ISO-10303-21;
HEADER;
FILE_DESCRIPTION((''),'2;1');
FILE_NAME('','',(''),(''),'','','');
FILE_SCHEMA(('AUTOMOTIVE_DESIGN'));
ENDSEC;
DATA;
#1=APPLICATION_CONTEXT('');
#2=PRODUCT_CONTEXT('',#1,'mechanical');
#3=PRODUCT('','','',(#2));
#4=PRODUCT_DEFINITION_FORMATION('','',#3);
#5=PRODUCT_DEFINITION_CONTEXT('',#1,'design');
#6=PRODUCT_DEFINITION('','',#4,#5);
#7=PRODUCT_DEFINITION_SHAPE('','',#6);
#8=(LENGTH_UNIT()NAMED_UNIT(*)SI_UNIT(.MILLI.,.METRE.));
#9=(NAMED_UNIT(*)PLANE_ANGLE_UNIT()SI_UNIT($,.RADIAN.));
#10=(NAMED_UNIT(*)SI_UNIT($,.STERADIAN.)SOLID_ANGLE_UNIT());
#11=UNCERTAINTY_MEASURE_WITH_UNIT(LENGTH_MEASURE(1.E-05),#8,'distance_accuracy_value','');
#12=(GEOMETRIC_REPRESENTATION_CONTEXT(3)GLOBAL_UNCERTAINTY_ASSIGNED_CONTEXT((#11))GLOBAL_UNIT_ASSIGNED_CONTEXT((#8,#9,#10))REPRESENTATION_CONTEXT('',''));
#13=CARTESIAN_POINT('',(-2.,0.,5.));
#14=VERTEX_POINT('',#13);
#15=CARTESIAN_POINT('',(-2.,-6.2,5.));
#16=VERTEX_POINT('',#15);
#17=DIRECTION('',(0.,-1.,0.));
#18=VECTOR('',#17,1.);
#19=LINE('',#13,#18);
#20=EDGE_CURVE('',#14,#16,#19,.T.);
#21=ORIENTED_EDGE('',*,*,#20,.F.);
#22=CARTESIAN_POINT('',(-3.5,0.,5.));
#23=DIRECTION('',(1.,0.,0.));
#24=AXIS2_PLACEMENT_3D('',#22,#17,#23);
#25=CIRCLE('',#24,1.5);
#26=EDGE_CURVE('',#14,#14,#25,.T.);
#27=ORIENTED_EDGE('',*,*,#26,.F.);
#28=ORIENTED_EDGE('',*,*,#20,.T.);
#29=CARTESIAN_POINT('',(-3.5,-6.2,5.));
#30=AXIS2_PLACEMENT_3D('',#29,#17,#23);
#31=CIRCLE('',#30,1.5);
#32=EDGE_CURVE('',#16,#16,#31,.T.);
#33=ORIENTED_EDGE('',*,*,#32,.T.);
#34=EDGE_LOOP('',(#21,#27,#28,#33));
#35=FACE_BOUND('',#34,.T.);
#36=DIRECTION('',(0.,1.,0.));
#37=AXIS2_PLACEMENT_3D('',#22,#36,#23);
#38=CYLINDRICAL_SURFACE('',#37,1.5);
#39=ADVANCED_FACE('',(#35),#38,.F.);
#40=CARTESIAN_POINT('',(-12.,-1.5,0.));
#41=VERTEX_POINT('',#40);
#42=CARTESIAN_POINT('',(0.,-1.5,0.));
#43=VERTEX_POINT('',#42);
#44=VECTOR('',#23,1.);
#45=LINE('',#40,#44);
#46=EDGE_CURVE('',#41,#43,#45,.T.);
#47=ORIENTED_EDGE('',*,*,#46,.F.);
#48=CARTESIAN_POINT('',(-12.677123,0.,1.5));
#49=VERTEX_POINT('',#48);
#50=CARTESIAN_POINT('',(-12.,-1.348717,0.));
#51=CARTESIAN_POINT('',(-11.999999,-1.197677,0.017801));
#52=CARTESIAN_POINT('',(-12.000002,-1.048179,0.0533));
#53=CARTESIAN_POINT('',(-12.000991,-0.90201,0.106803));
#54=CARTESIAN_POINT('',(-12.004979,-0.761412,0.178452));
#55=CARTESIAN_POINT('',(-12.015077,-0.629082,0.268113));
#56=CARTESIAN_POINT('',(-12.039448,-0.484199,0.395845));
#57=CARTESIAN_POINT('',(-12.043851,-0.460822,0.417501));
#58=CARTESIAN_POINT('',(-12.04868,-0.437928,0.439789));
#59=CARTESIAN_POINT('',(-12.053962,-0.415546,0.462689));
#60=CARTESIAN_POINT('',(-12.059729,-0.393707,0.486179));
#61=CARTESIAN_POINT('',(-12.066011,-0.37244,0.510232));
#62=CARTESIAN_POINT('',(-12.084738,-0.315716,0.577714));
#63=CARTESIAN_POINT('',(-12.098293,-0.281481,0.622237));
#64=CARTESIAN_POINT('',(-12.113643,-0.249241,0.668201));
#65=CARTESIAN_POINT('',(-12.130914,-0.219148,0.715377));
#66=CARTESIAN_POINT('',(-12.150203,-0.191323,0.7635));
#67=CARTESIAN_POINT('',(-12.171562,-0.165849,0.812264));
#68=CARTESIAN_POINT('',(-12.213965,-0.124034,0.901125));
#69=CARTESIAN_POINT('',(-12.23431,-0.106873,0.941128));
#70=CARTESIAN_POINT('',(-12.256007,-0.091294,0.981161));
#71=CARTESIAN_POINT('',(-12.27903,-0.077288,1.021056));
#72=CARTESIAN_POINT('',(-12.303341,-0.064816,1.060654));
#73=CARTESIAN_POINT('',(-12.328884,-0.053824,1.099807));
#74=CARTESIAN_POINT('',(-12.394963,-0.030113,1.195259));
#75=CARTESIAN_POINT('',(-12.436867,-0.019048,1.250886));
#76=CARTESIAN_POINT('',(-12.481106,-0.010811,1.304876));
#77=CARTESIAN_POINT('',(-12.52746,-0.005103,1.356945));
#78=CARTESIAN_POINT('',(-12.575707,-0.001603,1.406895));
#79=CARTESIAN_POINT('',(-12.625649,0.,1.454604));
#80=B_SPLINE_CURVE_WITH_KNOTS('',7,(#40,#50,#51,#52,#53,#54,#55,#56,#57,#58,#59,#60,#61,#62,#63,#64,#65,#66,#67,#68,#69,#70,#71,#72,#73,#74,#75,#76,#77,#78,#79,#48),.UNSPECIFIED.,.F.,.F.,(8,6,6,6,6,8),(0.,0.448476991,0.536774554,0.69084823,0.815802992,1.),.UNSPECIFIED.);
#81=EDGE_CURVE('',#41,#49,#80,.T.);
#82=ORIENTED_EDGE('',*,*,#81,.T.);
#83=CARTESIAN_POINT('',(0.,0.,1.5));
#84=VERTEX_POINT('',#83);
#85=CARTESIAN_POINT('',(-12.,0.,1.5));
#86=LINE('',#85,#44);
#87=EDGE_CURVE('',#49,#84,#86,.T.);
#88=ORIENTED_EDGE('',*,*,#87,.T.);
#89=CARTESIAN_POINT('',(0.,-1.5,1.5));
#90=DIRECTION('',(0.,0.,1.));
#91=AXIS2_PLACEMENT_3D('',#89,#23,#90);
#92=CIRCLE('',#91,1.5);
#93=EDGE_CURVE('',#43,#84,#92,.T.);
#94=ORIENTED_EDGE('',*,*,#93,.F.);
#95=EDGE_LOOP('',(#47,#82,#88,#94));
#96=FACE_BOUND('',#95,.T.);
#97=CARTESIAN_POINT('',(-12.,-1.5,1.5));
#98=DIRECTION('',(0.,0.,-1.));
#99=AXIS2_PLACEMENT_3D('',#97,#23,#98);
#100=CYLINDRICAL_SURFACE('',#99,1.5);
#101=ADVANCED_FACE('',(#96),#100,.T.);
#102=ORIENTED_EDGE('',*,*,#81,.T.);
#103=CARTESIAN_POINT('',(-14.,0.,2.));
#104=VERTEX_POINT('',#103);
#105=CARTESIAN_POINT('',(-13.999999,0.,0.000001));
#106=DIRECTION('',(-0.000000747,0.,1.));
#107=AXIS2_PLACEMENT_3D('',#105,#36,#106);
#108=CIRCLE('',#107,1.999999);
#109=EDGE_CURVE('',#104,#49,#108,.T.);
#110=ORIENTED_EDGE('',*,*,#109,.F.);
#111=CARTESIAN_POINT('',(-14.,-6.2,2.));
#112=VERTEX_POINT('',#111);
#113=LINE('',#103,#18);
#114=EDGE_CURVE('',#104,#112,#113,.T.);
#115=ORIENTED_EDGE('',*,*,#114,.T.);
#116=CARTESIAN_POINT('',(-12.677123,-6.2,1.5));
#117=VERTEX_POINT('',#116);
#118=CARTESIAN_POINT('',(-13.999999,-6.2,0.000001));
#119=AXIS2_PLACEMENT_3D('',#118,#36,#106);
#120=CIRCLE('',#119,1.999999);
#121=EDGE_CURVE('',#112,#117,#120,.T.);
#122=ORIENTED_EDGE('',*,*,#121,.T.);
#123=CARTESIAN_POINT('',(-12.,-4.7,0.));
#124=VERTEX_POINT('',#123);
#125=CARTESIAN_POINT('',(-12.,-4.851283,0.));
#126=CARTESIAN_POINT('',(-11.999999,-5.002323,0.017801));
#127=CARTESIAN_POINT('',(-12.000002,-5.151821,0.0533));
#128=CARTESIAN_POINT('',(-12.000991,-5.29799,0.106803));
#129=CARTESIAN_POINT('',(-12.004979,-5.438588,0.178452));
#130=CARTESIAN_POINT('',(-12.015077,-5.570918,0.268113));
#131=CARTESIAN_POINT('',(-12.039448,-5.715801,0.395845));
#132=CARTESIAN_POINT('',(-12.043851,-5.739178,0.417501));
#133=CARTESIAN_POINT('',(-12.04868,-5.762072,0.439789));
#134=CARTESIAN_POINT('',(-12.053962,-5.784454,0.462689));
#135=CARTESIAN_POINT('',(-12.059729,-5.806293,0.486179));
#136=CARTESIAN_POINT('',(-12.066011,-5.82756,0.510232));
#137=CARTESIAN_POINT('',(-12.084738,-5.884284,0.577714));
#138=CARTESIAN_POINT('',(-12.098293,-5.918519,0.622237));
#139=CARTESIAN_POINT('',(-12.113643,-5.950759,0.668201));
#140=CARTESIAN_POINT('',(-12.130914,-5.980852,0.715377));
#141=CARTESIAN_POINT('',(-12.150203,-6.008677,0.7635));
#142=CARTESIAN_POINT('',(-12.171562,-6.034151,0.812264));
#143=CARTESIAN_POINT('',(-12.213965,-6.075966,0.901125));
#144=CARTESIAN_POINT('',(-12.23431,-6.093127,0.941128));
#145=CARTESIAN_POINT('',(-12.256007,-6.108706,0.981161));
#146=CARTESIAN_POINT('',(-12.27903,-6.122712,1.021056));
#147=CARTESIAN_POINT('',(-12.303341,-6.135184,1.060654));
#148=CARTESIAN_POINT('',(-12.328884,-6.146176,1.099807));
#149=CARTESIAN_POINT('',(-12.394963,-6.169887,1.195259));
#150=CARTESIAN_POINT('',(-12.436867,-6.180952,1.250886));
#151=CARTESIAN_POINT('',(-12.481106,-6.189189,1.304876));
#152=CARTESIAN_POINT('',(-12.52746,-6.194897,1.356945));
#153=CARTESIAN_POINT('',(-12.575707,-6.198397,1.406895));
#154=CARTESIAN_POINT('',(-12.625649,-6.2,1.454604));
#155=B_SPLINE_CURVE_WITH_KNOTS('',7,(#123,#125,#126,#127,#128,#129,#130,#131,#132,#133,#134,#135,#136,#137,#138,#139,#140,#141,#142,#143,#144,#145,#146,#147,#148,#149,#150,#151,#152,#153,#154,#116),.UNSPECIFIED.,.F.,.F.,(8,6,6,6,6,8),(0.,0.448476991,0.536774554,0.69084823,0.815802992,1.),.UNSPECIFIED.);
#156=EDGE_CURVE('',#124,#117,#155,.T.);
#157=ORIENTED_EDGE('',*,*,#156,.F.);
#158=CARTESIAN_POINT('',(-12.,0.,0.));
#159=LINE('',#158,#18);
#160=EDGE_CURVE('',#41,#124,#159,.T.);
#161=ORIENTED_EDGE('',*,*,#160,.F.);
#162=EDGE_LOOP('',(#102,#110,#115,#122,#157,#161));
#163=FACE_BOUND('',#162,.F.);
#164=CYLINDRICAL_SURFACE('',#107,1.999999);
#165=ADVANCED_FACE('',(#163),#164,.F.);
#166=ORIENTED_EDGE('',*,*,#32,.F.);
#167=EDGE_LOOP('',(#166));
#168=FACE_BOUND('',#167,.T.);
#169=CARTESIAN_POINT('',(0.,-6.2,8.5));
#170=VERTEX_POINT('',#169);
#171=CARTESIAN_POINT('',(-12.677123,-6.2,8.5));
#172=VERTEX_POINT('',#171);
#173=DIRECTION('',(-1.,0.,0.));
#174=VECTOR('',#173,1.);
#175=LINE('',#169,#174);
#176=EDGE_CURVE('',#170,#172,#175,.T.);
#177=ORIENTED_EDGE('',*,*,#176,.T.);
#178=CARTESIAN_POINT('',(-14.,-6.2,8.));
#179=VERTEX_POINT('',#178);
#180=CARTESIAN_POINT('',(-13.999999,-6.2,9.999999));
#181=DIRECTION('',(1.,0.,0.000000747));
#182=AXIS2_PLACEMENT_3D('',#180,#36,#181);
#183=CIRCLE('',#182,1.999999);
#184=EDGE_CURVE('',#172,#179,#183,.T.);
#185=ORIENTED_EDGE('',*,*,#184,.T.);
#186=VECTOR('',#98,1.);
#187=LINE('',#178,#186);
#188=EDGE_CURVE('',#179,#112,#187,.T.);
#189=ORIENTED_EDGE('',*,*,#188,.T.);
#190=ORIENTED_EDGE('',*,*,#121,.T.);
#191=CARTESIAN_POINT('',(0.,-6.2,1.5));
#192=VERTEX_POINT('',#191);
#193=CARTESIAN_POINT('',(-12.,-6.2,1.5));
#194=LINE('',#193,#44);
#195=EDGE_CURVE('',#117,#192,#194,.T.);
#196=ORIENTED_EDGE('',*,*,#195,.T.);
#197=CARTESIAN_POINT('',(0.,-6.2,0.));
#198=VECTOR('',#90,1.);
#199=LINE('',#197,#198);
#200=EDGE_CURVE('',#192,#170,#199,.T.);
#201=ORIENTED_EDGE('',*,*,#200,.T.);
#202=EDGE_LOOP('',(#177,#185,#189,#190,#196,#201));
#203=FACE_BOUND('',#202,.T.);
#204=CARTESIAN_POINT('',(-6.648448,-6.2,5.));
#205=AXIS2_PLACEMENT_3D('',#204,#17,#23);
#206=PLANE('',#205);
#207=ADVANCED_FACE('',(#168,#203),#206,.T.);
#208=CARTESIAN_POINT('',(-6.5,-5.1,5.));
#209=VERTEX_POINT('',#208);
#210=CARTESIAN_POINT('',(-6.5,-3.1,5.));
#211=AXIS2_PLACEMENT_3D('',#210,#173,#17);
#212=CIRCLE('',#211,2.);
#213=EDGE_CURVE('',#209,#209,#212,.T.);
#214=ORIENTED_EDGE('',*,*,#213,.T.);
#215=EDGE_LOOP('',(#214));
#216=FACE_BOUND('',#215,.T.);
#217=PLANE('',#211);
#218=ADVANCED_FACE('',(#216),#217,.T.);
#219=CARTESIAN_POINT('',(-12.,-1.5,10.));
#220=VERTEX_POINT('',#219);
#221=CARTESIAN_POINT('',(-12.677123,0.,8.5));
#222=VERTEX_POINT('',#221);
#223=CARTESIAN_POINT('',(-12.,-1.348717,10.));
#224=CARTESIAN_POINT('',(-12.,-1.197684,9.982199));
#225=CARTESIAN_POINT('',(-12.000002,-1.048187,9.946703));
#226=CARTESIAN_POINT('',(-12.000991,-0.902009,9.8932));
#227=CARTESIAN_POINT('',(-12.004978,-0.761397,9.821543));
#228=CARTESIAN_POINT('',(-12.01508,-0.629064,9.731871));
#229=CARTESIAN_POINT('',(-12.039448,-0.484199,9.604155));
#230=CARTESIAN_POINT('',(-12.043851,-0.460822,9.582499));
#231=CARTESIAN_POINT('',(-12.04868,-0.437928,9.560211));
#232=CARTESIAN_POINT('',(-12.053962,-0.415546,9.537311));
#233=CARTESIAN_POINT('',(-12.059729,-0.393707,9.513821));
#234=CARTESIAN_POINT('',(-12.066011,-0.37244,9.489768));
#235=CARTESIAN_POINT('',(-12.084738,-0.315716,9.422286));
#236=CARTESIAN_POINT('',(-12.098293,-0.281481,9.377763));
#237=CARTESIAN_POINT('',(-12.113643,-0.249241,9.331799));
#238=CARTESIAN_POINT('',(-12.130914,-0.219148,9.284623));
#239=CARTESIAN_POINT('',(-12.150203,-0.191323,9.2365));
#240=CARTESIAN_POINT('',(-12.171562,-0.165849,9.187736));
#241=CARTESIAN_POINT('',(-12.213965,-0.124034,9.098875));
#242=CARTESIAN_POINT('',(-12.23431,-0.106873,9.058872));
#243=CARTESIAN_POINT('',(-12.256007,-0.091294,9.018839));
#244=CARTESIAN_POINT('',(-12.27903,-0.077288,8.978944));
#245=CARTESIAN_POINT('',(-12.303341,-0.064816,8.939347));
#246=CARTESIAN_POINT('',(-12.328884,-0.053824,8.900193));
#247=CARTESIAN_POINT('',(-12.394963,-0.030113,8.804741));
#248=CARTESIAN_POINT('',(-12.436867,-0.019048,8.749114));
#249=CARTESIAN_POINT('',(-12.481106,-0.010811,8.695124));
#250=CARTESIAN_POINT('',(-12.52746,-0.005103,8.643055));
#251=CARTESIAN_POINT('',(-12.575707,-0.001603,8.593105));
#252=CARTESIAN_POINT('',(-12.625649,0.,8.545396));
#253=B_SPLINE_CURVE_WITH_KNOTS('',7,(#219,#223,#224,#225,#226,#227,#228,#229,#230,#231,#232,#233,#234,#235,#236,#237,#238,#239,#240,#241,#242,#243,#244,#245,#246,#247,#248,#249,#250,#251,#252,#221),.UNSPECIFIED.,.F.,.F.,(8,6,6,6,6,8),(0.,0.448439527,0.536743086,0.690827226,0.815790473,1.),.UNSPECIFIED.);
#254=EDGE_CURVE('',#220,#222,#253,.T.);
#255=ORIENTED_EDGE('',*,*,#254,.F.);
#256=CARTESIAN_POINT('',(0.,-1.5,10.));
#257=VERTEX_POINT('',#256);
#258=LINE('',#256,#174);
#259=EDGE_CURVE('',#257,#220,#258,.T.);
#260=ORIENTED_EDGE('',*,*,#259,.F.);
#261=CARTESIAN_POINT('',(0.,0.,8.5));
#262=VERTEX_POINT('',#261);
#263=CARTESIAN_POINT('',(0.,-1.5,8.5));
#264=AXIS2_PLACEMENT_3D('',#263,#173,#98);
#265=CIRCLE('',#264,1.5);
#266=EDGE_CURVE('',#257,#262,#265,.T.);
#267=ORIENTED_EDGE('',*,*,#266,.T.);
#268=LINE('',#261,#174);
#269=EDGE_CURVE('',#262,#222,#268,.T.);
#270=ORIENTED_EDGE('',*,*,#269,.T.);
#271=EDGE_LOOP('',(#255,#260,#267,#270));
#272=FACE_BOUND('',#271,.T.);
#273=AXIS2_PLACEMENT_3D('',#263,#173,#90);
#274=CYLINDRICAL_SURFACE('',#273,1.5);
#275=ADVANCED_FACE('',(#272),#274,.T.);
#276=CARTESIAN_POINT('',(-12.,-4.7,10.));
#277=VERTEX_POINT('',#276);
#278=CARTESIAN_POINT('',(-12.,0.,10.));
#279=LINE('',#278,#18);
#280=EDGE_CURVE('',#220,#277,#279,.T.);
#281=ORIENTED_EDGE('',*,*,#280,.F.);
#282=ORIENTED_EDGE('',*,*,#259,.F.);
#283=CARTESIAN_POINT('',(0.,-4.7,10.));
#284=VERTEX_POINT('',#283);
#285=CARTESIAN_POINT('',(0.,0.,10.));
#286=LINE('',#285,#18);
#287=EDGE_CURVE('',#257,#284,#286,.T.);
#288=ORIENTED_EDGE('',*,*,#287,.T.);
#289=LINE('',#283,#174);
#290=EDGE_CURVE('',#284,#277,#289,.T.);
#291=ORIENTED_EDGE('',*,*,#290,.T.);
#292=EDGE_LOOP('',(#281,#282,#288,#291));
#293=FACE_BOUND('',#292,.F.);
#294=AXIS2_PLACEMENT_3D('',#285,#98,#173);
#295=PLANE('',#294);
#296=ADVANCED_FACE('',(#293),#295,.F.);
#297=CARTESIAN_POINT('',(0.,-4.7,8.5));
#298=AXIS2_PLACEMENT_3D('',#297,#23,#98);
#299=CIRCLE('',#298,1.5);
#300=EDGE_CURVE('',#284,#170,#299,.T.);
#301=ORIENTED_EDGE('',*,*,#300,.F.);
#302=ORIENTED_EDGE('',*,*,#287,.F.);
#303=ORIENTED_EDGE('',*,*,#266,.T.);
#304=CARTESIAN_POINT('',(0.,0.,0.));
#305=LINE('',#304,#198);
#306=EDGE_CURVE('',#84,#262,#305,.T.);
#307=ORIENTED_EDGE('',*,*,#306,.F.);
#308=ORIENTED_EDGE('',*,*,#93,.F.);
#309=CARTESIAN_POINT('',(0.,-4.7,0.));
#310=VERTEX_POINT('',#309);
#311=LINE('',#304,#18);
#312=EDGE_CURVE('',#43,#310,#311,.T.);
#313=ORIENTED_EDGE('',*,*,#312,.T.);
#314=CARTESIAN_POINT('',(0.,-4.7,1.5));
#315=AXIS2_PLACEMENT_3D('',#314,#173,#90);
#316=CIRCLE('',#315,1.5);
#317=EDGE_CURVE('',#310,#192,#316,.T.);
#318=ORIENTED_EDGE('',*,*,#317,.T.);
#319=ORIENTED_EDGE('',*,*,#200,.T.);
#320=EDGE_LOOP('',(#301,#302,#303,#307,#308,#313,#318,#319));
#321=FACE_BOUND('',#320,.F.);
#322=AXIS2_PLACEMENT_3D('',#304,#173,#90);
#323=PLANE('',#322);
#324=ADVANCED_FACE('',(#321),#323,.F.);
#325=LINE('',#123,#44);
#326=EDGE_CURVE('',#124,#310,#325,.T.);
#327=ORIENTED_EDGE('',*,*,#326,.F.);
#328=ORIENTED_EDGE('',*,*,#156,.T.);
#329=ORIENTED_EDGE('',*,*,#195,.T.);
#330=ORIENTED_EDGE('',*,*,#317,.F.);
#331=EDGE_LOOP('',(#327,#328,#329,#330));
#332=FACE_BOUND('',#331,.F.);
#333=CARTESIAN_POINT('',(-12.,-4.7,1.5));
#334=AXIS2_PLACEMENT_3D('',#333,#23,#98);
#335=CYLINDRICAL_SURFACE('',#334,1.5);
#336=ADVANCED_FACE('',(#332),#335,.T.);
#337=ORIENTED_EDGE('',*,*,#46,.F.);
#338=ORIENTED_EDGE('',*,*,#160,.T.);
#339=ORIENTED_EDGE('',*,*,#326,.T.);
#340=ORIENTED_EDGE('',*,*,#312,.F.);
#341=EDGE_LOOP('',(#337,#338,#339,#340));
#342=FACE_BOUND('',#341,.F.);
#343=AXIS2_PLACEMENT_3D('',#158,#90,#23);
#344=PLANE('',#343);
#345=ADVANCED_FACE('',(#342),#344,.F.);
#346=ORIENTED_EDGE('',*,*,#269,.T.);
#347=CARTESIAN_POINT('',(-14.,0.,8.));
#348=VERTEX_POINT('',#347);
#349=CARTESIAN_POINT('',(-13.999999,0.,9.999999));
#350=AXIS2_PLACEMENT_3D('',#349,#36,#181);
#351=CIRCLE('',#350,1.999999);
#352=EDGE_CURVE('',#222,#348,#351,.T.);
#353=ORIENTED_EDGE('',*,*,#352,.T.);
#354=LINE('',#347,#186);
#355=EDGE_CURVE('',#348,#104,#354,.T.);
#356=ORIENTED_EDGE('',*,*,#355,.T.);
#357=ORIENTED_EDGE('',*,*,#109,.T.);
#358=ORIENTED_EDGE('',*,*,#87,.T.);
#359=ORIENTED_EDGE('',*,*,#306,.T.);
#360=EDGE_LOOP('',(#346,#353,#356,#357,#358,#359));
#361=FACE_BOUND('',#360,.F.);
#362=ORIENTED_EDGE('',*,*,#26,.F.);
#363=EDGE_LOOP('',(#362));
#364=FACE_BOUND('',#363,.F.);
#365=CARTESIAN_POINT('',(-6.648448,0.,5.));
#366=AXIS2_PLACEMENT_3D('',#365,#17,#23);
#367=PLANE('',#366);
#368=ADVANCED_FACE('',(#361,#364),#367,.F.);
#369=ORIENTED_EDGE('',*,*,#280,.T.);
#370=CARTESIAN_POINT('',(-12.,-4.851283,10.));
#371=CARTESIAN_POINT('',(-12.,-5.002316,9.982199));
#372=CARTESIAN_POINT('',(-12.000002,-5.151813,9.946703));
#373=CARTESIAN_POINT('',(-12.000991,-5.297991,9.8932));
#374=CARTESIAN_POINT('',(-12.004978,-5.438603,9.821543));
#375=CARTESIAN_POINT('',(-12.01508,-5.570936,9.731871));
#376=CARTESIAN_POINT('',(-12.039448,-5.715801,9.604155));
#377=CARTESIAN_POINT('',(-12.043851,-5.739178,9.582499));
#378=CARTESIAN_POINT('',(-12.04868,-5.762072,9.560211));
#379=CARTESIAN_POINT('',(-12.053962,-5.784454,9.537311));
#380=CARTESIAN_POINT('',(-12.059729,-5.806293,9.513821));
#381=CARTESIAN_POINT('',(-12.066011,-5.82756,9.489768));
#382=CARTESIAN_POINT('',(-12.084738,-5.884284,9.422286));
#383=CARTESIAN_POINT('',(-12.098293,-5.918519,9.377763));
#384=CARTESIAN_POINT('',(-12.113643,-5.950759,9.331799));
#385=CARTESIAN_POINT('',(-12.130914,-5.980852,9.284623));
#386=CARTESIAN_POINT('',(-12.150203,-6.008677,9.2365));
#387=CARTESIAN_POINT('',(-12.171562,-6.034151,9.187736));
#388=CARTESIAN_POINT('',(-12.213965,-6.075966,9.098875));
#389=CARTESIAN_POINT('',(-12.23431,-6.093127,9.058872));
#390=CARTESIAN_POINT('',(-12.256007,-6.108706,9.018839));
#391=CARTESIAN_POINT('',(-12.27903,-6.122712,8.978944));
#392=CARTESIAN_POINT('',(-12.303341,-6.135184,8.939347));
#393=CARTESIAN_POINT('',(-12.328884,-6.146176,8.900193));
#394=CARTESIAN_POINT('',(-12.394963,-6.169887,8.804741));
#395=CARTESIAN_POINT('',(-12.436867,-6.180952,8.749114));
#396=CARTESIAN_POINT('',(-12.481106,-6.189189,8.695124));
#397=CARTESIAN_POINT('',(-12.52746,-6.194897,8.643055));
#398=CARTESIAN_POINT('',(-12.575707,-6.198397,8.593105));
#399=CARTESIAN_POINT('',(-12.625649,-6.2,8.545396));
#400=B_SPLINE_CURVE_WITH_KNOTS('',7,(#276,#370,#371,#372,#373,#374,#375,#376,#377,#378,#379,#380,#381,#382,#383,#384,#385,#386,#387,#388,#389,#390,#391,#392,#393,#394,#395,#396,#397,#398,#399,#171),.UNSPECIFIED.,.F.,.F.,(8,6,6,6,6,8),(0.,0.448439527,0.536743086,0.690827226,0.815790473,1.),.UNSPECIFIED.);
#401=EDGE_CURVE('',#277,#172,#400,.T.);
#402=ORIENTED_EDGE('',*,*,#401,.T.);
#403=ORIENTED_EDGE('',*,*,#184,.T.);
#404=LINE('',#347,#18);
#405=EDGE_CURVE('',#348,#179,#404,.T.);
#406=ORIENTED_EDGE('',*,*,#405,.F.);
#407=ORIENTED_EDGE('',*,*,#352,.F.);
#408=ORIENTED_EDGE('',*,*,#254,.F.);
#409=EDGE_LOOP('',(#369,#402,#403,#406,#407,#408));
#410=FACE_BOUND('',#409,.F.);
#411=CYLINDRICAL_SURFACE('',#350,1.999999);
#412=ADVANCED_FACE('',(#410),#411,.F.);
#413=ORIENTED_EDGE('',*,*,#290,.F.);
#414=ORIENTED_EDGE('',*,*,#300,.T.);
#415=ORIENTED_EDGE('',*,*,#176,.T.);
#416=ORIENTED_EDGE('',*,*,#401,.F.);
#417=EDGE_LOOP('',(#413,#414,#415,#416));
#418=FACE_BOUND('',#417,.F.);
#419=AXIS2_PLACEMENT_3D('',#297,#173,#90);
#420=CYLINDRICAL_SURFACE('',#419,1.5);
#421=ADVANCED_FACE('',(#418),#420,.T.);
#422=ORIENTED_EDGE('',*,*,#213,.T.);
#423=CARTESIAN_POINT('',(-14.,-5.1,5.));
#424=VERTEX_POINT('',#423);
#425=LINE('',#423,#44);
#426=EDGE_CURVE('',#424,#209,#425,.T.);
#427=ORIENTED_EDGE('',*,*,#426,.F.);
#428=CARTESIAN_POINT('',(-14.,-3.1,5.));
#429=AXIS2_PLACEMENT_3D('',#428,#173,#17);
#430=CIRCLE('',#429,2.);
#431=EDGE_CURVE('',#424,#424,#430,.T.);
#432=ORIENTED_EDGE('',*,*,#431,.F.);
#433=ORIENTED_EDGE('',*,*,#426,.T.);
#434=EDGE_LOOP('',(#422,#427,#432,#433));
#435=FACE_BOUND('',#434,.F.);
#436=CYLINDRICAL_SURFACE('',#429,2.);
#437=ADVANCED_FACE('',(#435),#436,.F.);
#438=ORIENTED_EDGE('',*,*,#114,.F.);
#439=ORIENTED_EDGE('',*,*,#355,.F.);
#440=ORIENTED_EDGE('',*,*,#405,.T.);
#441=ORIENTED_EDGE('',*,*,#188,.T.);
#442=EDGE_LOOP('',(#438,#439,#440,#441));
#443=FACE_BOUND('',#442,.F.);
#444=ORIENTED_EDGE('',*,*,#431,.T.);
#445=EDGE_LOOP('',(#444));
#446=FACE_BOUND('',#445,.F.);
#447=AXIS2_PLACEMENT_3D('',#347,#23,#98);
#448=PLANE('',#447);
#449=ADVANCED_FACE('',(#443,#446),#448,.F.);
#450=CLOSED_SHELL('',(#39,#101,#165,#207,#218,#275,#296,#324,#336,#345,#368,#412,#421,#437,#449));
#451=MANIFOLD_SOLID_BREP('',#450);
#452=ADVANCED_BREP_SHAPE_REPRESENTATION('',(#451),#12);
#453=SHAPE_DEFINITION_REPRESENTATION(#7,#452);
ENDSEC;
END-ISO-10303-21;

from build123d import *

# Parameters (mm, degrees)
F0_R     = 1.5
F1_DEPTH = 6.2
F2_R     = 1.5
F3_R     = 2
F4_DEPTH = 7.5


with BuildPart() as f1:
    # F0 (on Front) → F1 (new body)
    with BuildSketch(Plane.XZ):
        with BuildLine():
            Line((-12, 0), (0, 0))
            Line((0, 0), (0, 10))
            Line((0, 10), (-12, 10))
            ThreePointArc((-12, 10), (-12.585786, 8.585786), (-14, 8))
            Line((-14, 8), (-14, 2))
            ThreePointArc((-14, 2), (-12.585786, 1.414214), (-12, 0))
        make_face()
        with Locations((-3.5, 5)):
            Circle(F0_R, mode=Mode.SUBTRACT)
    extrude(amount=F1_DEPTH)

    # F2
    f2_edges = [f1.edges().sort_by_distance(p)[0] for p in [
        (-6, -6.2, 10),
        (-6, 0, 10),
        (-6, 0, 0),
        (-6, -6.2, 0),
    ]]
    fillet(f2_edges, radius=F2_R)

    # F3 (on face) → F4 (cut)
    with BuildSketch(Plane(origin=(-14, 0, 0), x_dir=(0, -1, 0), z_dir=(-1, 0, 0))):
        with Locations((3.1, 5)):
            Circle(F3_R)
    extrude(amount=-F4_DEPTH, mode=Mode.SUBTRACT)


solid = f1.part
